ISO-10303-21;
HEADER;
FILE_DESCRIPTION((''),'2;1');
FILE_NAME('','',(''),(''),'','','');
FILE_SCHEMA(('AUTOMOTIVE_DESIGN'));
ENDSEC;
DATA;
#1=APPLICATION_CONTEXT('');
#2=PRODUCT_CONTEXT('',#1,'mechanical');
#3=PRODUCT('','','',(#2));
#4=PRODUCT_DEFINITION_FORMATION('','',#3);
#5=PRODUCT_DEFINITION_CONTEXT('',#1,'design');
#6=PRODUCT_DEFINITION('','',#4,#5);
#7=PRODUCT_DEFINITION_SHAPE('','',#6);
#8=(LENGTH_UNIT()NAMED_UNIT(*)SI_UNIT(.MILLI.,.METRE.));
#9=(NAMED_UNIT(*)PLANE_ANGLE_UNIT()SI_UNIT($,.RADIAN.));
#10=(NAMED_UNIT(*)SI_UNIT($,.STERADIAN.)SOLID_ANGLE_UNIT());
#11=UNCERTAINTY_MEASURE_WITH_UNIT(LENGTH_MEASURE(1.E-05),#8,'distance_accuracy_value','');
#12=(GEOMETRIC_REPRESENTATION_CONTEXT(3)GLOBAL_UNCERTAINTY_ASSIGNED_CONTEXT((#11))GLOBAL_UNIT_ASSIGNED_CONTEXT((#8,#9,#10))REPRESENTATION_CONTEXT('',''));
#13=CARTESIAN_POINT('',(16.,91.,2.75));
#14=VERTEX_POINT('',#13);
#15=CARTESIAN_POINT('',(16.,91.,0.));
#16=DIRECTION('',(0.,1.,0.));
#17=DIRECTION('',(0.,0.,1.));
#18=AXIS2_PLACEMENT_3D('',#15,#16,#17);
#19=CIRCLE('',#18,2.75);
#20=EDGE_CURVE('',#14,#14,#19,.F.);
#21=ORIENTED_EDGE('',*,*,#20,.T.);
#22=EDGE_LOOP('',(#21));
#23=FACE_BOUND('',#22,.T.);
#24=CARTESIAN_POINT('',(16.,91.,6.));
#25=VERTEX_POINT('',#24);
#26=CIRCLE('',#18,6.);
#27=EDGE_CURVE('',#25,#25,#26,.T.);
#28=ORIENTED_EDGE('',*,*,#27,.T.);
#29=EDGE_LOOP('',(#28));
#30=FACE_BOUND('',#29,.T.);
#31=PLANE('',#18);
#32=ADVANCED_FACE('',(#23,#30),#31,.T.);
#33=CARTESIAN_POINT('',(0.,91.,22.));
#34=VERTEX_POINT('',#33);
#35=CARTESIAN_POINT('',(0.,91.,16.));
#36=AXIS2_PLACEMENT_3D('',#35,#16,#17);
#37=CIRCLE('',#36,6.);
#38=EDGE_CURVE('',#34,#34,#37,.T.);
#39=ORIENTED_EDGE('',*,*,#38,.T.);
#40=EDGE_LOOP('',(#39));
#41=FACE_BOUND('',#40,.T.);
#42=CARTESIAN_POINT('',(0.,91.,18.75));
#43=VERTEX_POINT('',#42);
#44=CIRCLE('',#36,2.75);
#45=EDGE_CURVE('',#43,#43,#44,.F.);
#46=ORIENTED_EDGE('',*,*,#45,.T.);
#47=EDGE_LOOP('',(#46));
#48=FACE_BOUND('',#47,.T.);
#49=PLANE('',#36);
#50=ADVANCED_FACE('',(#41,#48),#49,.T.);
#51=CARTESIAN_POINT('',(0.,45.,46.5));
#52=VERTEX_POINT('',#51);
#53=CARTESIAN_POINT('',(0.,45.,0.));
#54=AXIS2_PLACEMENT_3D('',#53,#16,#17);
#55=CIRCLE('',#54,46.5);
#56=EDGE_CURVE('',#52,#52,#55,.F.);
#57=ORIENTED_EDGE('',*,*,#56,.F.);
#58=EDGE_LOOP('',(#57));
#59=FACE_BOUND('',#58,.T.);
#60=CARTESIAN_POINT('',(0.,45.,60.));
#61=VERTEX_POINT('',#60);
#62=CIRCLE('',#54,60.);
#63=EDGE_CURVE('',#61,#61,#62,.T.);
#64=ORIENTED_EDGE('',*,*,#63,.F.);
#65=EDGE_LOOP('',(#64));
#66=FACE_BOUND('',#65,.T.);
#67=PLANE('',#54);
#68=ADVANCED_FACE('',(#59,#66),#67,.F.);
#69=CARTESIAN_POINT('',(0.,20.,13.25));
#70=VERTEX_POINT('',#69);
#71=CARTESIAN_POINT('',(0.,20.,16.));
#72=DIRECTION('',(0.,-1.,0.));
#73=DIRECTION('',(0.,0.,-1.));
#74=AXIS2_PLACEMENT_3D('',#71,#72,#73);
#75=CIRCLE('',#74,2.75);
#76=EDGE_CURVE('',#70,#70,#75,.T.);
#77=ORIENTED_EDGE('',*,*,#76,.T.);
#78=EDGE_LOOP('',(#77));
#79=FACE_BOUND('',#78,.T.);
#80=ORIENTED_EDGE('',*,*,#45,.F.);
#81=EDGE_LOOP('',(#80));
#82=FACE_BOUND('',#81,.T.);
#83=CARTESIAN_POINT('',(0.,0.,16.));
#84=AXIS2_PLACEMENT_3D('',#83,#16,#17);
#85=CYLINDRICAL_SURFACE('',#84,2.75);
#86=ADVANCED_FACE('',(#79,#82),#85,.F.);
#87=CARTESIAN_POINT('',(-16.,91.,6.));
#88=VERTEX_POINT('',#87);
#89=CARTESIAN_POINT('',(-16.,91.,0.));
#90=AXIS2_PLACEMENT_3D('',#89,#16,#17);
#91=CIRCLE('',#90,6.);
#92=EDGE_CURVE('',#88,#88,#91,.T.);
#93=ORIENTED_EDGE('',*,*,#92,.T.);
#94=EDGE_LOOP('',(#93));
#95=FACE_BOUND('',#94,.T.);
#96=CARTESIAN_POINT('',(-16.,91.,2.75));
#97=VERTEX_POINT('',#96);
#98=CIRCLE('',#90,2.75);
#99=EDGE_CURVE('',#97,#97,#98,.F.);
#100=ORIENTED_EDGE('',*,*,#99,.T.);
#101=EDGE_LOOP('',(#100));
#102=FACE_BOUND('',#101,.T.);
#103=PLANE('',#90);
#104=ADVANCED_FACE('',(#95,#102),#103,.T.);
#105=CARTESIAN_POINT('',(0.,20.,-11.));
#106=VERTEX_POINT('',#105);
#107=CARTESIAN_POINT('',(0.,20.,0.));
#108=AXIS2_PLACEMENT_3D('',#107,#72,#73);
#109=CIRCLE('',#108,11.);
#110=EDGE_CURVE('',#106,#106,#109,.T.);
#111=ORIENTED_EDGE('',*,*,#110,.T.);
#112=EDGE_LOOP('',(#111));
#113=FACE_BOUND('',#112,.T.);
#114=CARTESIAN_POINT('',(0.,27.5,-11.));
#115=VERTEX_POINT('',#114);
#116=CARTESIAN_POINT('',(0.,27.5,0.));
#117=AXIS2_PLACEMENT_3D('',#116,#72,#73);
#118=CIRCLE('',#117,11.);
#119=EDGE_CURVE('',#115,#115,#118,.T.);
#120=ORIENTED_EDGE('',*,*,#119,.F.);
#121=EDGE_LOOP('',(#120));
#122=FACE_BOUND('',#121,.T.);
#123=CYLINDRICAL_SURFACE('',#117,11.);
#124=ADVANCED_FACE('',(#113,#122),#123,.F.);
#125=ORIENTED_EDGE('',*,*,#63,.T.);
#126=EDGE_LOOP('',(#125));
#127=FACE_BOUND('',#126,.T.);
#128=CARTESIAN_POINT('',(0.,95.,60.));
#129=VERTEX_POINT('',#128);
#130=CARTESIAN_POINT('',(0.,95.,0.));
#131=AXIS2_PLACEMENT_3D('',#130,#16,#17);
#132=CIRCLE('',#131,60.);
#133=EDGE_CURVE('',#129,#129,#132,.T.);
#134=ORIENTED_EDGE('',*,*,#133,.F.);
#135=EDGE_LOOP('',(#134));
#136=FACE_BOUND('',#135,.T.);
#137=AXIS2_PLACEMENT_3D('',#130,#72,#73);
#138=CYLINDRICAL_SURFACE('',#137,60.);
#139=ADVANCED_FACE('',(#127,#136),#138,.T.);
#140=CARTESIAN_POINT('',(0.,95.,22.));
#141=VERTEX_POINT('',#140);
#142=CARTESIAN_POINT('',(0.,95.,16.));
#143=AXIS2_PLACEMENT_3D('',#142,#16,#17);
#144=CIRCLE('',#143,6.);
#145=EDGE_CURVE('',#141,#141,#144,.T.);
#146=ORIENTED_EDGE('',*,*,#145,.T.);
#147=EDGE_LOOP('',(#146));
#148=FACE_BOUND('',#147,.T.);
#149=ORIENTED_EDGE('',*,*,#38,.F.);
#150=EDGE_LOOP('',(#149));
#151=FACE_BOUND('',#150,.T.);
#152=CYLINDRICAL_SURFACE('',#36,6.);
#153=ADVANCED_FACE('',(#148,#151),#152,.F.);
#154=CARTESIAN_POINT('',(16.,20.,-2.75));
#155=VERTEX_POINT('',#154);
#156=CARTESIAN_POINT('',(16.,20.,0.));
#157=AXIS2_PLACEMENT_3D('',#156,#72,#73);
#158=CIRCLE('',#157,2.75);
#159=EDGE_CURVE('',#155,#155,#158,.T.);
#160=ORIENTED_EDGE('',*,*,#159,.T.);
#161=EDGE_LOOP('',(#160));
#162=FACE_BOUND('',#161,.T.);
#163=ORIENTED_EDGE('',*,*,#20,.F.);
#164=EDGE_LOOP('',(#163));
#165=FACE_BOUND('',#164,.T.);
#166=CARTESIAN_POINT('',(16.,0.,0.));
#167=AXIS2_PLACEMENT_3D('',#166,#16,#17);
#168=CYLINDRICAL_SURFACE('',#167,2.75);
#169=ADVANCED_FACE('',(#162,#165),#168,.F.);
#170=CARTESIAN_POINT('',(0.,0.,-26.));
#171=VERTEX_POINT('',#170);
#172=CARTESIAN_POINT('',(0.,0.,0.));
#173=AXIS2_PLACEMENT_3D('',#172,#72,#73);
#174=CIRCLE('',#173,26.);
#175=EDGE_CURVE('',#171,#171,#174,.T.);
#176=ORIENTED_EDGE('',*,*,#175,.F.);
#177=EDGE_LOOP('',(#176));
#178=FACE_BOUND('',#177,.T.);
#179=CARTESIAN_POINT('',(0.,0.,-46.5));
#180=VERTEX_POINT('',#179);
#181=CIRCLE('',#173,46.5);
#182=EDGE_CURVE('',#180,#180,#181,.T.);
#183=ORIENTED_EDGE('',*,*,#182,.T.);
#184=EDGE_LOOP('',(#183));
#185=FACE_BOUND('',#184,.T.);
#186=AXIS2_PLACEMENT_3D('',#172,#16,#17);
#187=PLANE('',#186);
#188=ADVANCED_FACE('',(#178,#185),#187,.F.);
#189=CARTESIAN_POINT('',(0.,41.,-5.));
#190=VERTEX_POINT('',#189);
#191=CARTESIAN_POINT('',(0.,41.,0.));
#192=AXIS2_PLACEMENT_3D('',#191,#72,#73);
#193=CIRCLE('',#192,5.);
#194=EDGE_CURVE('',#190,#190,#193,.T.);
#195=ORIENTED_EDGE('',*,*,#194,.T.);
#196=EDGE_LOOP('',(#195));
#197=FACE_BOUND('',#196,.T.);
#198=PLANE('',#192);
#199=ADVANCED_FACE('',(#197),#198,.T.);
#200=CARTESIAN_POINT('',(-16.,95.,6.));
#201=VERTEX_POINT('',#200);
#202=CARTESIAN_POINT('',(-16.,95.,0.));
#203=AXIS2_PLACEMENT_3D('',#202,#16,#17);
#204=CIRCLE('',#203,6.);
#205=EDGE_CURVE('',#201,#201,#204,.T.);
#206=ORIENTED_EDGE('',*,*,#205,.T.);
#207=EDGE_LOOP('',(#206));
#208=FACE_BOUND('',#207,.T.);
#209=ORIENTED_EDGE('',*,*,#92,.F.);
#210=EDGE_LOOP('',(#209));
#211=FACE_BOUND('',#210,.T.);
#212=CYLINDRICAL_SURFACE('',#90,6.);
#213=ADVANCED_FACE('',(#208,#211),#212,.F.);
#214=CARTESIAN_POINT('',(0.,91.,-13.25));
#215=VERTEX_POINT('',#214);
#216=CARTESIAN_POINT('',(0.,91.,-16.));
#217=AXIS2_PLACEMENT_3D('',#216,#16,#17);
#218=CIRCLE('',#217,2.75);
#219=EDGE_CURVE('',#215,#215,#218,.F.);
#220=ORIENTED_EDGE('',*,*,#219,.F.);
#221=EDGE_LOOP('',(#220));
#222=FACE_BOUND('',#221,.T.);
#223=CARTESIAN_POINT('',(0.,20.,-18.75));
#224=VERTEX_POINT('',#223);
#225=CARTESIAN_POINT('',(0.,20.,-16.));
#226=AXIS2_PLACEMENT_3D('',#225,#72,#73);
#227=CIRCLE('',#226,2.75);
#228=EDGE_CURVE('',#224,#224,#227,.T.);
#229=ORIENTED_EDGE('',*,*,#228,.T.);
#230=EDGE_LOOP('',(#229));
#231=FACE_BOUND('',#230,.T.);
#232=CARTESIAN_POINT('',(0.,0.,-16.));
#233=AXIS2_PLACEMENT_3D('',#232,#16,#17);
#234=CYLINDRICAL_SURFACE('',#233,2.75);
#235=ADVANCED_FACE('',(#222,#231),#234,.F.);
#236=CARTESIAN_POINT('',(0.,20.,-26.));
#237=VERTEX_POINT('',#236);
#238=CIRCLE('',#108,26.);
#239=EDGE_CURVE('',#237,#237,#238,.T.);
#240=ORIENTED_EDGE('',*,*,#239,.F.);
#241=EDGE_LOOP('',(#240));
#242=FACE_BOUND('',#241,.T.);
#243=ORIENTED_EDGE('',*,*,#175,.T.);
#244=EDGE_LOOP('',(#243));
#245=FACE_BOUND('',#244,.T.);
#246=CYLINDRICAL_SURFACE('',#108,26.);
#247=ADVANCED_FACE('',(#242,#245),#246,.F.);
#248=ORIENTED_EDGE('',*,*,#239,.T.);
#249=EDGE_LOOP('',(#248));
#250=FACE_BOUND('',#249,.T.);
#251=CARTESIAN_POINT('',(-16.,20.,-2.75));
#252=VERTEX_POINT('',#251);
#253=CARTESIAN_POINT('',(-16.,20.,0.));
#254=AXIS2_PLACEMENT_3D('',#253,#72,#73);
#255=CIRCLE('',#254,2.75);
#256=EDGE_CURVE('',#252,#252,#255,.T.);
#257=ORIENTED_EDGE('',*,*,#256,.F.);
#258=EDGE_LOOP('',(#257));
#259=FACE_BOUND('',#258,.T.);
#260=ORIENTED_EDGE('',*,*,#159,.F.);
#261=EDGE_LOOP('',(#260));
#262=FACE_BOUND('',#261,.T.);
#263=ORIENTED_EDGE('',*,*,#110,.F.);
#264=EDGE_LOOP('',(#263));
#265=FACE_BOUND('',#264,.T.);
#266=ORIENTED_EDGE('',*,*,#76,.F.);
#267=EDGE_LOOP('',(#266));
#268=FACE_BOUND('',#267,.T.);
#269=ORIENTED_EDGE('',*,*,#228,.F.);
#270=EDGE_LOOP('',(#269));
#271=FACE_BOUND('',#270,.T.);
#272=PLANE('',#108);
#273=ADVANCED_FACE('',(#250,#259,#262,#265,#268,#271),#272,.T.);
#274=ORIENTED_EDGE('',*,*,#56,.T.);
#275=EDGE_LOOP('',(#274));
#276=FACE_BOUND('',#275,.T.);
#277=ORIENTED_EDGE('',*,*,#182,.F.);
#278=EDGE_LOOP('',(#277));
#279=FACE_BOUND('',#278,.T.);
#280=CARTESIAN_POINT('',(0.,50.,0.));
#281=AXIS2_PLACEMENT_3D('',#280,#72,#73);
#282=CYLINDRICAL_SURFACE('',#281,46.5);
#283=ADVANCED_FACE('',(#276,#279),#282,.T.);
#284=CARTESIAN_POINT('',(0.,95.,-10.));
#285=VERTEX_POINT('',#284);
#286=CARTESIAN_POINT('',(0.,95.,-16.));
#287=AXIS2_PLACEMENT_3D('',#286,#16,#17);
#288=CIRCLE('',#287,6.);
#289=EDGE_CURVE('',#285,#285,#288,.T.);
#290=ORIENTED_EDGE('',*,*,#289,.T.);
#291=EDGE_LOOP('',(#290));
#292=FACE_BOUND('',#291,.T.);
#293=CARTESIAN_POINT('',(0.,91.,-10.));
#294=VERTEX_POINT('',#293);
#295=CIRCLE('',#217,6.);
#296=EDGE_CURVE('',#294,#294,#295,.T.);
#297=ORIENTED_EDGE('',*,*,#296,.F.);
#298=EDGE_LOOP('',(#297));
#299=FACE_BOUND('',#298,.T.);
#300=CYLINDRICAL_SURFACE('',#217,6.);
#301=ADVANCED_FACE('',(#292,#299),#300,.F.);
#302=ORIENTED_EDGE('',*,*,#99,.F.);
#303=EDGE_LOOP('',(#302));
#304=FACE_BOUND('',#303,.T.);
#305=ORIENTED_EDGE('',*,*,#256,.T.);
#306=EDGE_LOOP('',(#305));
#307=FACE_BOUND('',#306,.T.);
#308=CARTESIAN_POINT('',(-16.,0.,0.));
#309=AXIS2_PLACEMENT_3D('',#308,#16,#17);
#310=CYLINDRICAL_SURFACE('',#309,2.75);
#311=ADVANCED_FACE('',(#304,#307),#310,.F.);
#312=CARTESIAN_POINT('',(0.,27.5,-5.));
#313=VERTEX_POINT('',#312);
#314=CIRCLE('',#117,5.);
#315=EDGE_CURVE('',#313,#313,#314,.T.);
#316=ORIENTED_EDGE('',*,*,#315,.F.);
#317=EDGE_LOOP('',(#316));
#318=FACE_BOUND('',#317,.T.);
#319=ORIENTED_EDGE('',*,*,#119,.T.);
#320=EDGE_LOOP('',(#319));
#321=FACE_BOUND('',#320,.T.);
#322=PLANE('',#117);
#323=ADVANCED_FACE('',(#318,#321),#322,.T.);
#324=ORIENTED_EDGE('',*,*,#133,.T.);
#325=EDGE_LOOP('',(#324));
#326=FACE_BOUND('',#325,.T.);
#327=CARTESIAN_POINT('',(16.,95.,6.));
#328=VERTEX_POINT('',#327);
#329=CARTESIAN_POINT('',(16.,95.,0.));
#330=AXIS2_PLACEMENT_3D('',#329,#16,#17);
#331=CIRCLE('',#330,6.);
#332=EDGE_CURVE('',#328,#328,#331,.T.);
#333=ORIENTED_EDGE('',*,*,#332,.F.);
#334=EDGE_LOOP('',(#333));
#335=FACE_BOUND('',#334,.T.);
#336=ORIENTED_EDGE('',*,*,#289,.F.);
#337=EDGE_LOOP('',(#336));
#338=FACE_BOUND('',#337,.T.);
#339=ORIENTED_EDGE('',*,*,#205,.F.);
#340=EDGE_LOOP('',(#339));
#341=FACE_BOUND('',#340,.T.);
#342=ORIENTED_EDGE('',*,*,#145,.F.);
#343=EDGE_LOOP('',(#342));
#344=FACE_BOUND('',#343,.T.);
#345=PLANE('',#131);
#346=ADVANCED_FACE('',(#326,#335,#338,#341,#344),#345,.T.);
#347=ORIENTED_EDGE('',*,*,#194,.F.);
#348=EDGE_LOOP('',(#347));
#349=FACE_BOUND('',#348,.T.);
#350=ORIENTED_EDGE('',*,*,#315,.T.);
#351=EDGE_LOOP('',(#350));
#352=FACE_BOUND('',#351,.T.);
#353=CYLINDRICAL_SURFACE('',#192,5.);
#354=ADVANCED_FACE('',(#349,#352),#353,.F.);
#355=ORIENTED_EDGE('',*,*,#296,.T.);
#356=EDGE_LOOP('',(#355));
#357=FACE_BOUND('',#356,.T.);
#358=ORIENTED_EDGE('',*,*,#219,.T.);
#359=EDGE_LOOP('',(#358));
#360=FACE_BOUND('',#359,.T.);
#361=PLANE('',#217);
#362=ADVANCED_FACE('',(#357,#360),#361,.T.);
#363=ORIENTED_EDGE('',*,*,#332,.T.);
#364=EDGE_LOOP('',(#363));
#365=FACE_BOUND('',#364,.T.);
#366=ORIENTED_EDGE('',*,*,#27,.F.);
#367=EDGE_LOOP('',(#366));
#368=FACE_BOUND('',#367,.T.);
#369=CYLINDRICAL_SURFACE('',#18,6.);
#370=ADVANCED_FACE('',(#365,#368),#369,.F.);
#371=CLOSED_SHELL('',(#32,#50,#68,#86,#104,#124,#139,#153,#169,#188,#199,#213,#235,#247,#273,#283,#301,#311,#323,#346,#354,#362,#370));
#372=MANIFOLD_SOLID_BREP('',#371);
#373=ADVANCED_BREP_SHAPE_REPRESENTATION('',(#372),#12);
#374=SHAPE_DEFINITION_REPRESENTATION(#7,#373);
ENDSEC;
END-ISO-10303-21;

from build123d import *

# Parameters (mm, degrees)
ESQUISSE1_R              = 47.75
BOSS_EXTRU_1_DEPTH       = 50
ESQUISSE2_R              = 26
ENL_V_MAT_EXTRU_1_DEPTH  = 20
ESQUISSE3_R              = 11
ENL_V_MAT_EXTRU_5_DEPTH  = 7.5
ESQUISSE4_R              = 5
ENL_V_MAT_EXTRU_6_DEPTH  = 13.5
ESQUISSE11_R             = 2.75
ENL_V_MAT_EXTRU_11_DEPTH = 85.024549984
ESQUISSE12_R             = 47.75
ESQUISSE12_R_2           = 46.5
ENL_V_MAT_EXTRU_12_DEPTH = 85.024549984
ESQUISSE16_R             = 60
BOSS_EXTRU_3_DEPTH       = 50
ESQUISSE17_R             = 2.75
ENL_V_MAT_EXTRU_14_DEPTH = 128.377392029
ESQUISSE18_R             = 6
ENL_V_MAT_EXTRU_15_DEPTH = 4


with BuildPart() as part:
    # Esquisse1 → Boss.-Extru.1 (new body)
    with BuildSketch(Plane(origin=(0, 0, 0), x_dir=(1, 0, 0), z_dir=(0, 1, 0))):
        with Locations(Location((0, 0, 0), (0, 0, 270))):
            Circle(ESQUISSE1_R)
    extrude(amount=BOSS_EXTRU_1_DEPTH)

    # Esquisse2 → Enlèv. mat.-Extru.1 (cut)
    with BuildSketch(Plane(origin=(0, 0, 0), x_dir=(-1, 0, 0), z_dir=(0, -1, 0))):
        with Locations(Location((0, 0, 0), (0, 0, 90))):
            Circle(ESQUISSE2_R)
    extrude(amount=-ENL_V_MAT_EXTRU_1_DEPTH, mode=Mode.SUBTRACT)

    # Esquisse3 → Enlèv. mat.-Extru.5 (cut)
    with BuildSketch(Plane(origin=(0, 20, 0), x_dir=(-1, 0, 0), z_dir=(0, -1, 0))):
        with Locations(Location((0, 0, 0), (0, 0, 90))):
            Circle(ESQUISSE3_R)
    extrude(amount=-ENL_V_MAT_EXTRU_5_DEPTH, mode=Mode.SUBTRACT)

    # Esquisse4 → Enlèv. mat.-Extru.6 (cut)
    with BuildSketch(Plane(origin=(0, 27.5, 0), x_dir=(-1, 0, 0), z_dir=(0, -1, 0))):
        with Locations(Location((0, 0, 0), (0, 0, 90))):
            Circle(ESQUISSE4_R)
    extrude(amount=-ENL_V_MAT_EXTRU_6_DEPTH, mode=Mode.SUBTRACT)

    # Esquisse11 → Enlèv. mat.-Extru.11 (cut, through all)
    with BuildSketch(Plane(origin=(0, 50, 0), x_dir=(1, 0, 0), z_dir=(0, 1, 0))):
        with Locations(Location((-16, 0, 0), (0, 0, 270))):
            Circle(ESQUISSE11_R)
        with Locations(Location((0, 16, 0), (0, 0, 270))):
            Circle(ESQUISSE11_R)
        with Locations(Location((16, 0, 0), (0, 0, 270))):
            Circle(ESQUISSE11_R)
        with Locations(Location((0, -16, 0), (0, 0, 270))):
            Circle(ESQUISSE11_R)
    extrude(amount=-ENL_V_MAT_EXTRU_11_DEPTH, mode=Mode.SUBTRACT)

    # Esquisse12 → Enlèv. mat.-Extru.12 (cut, through all)
    with BuildSketch(Plane.XZ):
        Circle(ESQUISSE12_R)
        with Locations(Location((0, 0, 0), (0, 0, 270))):
            Circle(ESQUISSE12_R_2, mode=Mode.SUBTRACT)
    extrude(amount=-ENL_V_MAT_EXTRU_12_DEPTH, mode=Mode.SUBTRACT)

    # Enlèv. mat.-Surface1
    split(bisect_by=Plane(origin=(0, 45, 0), x_dir=(1, 0, 0), z_dir=(0, 1, 0)), keep=Keep.BOTTOM)

    # Esquisse16 → Boss.-Extru.3 (add)
    with BuildSketch(Plane(origin=(0, 45, 0), x_dir=(1, 0, 0), z_dir=(0, 1, 0))):
        with Locations(Location((0, 0, 0), (0, 0, 270))):
            Circle(ESQUISSE16_R)
    extrude(amount=BOSS_EXTRU_3_DEPTH)

    # Esquisse17 → Enlèv. mat.-Extru.14 (cut, through all)
    with BuildSketch(Plane(origin=(0, 95, 0), x_dir=(1, 0, 0), z_dir=(0, 1, 0))):
        with Locations(Location((0, -16, 0), (0, 0, 270))):
            Circle(ESQUISSE17_R)
        with Locations(Location((-16, 0, 0), (0, 0, 270))):
            Circle(ESQUISSE17_R)
        with Locations(Location((0, 16, 0), (0, 0, 270))):
            Circle(ESQUISSE17_R)
        with Locations(Location((16, 0, 0), (0, 0, 270))):
            Circle(ESQUISSE17_R)
    extrude(amount=-ENL_V_MAT_EXTRU_14_DEPTH, mode=Mode.SUBTRACT)

    # Esquisse18 → Enlèv. mat.-Extru.15 (cut)
    with BuildSketch(Plane(origin=(0, 95, 0), x_dir=(1, 0, 0), z_dir=(0, 1, 0))):
        with Locations(Location((0, 16, 0), (0, 0, 270))):
            Circle(ESQUISSE18_R)
        with Locations(Location((16, 0, 0), (0, 0, 270))):
            Circle(ESQUISSE18_R)
        with Locations(Location((0, -16, 0), (0, 0, 270))):
            Circle(ESQUISSE18_R)
        with Locations(Location((-16, 0, 0), (0, 0, 270))):
            Circle(ESQUISSE18_R)
    extrude(amount=-ENL_V_MAT_EXTRU_15_DEPTH, mode=Mode.SUBTRACT)


solid = part.part
